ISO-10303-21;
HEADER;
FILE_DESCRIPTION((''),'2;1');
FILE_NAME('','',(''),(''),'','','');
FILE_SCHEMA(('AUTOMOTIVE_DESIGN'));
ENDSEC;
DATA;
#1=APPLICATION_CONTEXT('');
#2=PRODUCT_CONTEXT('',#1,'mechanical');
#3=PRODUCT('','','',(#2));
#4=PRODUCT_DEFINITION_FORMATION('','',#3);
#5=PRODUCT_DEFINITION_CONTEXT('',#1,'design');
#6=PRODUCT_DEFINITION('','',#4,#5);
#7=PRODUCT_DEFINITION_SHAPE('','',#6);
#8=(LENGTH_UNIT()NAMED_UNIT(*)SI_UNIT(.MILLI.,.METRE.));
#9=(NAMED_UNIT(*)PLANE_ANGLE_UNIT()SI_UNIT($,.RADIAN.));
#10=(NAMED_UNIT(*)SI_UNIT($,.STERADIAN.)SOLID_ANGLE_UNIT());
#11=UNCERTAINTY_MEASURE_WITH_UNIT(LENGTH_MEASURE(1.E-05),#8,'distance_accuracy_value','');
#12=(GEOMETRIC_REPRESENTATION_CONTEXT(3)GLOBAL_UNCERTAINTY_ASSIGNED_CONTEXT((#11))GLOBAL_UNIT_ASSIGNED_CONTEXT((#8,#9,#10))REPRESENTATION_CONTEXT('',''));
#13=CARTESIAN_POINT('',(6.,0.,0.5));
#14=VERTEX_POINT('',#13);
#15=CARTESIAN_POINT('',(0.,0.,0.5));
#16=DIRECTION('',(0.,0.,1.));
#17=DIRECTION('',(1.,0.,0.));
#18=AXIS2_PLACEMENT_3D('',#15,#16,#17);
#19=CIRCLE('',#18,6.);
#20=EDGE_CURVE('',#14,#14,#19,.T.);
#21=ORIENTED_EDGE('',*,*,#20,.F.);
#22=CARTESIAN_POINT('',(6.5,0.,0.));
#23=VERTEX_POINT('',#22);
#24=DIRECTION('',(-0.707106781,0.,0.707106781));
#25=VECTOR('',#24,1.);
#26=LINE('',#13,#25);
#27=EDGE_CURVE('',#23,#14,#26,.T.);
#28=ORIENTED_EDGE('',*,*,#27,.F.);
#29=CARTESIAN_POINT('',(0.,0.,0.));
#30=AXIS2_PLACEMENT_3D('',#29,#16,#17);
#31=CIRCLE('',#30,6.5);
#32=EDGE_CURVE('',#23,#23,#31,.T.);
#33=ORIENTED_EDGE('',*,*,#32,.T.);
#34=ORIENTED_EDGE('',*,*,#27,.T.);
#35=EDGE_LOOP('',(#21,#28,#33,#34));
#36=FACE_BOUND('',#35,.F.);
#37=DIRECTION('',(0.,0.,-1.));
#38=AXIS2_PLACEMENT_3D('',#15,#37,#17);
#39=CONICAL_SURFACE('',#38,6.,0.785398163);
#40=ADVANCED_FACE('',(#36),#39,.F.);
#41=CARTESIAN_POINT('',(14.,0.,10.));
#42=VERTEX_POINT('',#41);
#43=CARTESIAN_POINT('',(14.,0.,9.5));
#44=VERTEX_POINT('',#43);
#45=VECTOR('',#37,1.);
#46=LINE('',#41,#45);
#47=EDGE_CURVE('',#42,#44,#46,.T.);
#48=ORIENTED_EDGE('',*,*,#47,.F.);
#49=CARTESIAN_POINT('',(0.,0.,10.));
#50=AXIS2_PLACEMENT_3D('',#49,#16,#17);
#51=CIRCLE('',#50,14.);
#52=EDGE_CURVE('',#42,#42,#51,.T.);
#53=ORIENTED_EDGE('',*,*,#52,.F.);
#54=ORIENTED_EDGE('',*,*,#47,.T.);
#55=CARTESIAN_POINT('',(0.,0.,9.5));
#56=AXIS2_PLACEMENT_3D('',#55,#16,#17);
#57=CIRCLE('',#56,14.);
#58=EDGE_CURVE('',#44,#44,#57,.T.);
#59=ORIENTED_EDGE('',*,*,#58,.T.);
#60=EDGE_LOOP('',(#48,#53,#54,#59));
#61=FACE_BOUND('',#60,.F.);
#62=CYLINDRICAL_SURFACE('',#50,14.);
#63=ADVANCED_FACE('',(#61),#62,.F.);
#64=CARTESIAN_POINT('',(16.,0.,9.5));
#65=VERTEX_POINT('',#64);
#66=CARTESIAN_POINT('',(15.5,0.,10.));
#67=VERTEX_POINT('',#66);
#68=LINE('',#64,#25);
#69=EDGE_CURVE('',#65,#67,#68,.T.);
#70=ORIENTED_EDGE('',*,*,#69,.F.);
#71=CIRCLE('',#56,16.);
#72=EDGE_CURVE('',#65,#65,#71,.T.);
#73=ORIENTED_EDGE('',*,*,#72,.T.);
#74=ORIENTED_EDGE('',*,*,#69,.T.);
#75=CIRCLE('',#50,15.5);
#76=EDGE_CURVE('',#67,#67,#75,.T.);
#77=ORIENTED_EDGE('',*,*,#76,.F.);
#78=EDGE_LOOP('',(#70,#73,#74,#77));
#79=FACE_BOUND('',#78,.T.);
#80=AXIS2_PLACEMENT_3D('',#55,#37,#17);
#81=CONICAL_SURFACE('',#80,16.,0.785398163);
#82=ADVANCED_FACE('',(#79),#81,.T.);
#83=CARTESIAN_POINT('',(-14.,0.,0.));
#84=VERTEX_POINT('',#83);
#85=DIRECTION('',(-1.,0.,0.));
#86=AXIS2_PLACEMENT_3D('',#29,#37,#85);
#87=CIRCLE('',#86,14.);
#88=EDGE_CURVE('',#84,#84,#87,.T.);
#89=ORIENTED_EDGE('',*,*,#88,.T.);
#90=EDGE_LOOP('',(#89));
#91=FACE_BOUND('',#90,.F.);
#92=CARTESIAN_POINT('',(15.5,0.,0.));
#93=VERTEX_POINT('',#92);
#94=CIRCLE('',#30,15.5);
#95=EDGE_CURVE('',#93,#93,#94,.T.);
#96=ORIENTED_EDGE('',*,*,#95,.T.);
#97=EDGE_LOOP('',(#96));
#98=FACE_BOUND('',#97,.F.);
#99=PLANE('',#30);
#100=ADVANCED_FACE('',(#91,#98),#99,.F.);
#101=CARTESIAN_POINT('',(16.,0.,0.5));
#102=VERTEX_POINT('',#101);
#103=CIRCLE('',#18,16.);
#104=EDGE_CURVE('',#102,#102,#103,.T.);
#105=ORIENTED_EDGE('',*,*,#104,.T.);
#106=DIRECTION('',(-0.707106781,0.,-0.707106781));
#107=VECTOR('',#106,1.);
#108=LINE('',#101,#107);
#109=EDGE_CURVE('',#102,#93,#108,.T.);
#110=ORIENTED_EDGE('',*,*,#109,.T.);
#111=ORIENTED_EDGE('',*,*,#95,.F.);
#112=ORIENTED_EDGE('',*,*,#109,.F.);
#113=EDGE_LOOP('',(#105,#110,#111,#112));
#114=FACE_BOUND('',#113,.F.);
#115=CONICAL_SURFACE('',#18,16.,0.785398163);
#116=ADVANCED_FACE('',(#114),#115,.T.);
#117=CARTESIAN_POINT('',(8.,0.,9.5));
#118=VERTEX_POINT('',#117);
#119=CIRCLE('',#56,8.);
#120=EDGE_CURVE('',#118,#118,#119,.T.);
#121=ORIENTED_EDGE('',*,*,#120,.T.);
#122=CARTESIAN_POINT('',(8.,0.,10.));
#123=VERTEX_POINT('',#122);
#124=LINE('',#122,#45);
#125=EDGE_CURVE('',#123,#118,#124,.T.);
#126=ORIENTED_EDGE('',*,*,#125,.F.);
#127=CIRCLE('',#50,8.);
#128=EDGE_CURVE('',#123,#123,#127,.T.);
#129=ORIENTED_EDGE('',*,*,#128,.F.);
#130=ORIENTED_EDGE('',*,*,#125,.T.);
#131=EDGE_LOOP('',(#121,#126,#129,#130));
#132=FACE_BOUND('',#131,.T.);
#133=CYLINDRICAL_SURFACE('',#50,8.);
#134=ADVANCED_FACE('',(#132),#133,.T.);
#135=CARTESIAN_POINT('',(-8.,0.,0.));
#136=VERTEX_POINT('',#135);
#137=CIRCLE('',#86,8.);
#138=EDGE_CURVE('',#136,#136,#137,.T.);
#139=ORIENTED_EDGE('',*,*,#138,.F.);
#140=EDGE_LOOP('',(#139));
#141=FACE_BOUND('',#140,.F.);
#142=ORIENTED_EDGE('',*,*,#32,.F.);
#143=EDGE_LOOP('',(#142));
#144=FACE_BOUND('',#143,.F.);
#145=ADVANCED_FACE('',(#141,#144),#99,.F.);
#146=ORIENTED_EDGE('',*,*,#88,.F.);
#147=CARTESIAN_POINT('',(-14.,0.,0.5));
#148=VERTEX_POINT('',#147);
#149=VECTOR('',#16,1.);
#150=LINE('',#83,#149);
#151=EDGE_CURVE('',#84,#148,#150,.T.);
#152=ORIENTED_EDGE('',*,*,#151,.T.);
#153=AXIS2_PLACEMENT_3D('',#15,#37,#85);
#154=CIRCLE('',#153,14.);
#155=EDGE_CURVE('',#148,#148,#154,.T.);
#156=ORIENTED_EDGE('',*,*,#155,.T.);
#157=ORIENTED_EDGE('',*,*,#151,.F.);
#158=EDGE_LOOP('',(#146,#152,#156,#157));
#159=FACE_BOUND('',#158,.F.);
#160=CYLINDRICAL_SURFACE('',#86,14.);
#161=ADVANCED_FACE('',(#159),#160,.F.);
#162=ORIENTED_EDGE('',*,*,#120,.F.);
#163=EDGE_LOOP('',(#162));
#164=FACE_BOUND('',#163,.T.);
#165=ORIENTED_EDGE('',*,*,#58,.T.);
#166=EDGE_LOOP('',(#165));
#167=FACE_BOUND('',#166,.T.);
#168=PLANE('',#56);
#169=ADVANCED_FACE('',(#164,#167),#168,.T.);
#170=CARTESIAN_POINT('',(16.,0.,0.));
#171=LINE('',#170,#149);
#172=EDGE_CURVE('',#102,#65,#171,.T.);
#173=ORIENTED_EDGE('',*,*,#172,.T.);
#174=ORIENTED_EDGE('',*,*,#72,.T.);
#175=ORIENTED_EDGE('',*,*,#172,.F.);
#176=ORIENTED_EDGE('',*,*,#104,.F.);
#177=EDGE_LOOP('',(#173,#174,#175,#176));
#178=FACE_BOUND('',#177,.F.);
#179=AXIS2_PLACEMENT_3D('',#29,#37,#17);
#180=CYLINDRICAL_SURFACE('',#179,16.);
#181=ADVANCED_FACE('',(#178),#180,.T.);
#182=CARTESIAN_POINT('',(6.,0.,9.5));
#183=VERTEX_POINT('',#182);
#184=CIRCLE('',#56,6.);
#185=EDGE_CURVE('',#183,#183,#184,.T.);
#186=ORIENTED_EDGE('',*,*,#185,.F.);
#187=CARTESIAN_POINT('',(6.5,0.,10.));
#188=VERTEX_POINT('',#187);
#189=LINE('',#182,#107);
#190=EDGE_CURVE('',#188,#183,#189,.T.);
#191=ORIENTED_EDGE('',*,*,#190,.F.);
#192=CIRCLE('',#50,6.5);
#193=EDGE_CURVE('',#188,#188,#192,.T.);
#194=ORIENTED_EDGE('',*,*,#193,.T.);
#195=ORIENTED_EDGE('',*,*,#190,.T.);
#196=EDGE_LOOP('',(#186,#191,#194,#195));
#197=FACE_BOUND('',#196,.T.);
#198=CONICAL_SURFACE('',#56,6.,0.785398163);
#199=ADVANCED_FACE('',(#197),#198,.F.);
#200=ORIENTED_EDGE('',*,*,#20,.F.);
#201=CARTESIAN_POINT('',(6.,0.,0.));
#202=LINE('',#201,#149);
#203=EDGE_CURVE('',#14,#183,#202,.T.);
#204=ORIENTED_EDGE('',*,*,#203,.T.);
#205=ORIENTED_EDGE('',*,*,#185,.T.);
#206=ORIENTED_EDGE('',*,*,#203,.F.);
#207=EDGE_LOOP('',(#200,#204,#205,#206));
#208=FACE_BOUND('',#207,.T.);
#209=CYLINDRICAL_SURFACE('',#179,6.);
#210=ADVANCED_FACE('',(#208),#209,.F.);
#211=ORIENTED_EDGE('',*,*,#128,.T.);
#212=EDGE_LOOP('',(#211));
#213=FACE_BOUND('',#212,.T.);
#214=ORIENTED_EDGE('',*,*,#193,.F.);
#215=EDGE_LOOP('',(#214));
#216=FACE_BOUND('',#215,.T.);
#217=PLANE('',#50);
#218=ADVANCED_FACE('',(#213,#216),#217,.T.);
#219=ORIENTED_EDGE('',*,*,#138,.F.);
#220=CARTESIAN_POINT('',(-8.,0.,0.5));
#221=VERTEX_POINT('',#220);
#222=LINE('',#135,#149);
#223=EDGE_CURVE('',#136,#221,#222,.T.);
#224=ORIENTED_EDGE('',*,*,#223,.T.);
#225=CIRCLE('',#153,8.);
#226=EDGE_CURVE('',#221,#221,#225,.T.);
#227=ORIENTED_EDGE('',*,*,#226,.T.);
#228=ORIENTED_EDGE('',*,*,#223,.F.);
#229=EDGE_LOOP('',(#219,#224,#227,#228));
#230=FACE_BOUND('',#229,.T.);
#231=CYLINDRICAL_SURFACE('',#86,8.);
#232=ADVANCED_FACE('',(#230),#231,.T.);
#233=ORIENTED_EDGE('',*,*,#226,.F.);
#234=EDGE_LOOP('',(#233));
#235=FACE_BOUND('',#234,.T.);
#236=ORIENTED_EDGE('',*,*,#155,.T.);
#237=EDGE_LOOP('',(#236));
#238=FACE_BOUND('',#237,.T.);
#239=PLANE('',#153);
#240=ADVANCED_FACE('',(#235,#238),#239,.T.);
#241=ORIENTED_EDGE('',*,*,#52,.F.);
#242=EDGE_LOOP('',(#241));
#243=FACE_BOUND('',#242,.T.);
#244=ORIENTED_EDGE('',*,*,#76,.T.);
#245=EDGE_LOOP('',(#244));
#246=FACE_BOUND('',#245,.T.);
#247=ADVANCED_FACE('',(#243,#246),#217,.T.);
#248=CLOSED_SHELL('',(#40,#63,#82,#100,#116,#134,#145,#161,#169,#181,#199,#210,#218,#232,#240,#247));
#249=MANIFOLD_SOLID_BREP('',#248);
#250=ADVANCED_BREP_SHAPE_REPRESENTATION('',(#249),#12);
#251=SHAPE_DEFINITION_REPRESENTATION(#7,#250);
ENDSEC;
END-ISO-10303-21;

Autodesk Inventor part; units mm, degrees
ref_plane "YZ Plane" through (0, 0, 0) normal (1, 0, 0) x (0, 1, 0)
ref_plane "XZ Plane" through (0, 0, 0) normal (0, 1, 0) x (-1, 0, 0)
ref_plane "XY Plane" through (0, 0, 0) normal (0, 0, 1) x (1, 0, 0)
sketch "Sketch1" plane through (0, 0, 0) normal (0, 0, 1) x (1, 0, 0)
  circle A0 centre (0, 0) radius 6
  circle A1 centre (0, 0) radius 16
  dimension "d0" = 12
  dimension "d1" = 32
extrude "Extrusion1" add sketch "Sketch1" along normal blind 10
sketch "Sketch2" plane through (0, 0, 10) normal (0, 0, 1) x (1, 0, 0)
  circle A0 centre (0, 0) radius 6 projected
  circle A1 centre (0, 0) radius 6 projected
  circle A2 centre (0, 0) radius 16 projected
  circle A3 centre (0, 0) radius 8
  circle A4 centre (0, 0) radius 14
  dimension "d4" = 2
  dimension "d5" = 2
extrude "Extrusion2" cut sketch "Sketch2" against normal blind 0.5 contours A4
sketch "Sketch3" plane through (0, 0, 0) normal (0, 0, -1) x (-1, 0, 0)
  circle A0 centre (0, 0) radius 8 projected
  circle A1 centre (0, 0) radius 14 projected
extrude "Extrusion3" cut sketch "Sketch3" against normal blind 0.5
chamfer "Chamfer1" distance 0.5 angle 45 4 edges at (-16, 0, 10) (-16, 0, 0) (-6, 0, 10) (-6, 0, 0)
properties part number "6201-2RS" material "Stainless Steel"
